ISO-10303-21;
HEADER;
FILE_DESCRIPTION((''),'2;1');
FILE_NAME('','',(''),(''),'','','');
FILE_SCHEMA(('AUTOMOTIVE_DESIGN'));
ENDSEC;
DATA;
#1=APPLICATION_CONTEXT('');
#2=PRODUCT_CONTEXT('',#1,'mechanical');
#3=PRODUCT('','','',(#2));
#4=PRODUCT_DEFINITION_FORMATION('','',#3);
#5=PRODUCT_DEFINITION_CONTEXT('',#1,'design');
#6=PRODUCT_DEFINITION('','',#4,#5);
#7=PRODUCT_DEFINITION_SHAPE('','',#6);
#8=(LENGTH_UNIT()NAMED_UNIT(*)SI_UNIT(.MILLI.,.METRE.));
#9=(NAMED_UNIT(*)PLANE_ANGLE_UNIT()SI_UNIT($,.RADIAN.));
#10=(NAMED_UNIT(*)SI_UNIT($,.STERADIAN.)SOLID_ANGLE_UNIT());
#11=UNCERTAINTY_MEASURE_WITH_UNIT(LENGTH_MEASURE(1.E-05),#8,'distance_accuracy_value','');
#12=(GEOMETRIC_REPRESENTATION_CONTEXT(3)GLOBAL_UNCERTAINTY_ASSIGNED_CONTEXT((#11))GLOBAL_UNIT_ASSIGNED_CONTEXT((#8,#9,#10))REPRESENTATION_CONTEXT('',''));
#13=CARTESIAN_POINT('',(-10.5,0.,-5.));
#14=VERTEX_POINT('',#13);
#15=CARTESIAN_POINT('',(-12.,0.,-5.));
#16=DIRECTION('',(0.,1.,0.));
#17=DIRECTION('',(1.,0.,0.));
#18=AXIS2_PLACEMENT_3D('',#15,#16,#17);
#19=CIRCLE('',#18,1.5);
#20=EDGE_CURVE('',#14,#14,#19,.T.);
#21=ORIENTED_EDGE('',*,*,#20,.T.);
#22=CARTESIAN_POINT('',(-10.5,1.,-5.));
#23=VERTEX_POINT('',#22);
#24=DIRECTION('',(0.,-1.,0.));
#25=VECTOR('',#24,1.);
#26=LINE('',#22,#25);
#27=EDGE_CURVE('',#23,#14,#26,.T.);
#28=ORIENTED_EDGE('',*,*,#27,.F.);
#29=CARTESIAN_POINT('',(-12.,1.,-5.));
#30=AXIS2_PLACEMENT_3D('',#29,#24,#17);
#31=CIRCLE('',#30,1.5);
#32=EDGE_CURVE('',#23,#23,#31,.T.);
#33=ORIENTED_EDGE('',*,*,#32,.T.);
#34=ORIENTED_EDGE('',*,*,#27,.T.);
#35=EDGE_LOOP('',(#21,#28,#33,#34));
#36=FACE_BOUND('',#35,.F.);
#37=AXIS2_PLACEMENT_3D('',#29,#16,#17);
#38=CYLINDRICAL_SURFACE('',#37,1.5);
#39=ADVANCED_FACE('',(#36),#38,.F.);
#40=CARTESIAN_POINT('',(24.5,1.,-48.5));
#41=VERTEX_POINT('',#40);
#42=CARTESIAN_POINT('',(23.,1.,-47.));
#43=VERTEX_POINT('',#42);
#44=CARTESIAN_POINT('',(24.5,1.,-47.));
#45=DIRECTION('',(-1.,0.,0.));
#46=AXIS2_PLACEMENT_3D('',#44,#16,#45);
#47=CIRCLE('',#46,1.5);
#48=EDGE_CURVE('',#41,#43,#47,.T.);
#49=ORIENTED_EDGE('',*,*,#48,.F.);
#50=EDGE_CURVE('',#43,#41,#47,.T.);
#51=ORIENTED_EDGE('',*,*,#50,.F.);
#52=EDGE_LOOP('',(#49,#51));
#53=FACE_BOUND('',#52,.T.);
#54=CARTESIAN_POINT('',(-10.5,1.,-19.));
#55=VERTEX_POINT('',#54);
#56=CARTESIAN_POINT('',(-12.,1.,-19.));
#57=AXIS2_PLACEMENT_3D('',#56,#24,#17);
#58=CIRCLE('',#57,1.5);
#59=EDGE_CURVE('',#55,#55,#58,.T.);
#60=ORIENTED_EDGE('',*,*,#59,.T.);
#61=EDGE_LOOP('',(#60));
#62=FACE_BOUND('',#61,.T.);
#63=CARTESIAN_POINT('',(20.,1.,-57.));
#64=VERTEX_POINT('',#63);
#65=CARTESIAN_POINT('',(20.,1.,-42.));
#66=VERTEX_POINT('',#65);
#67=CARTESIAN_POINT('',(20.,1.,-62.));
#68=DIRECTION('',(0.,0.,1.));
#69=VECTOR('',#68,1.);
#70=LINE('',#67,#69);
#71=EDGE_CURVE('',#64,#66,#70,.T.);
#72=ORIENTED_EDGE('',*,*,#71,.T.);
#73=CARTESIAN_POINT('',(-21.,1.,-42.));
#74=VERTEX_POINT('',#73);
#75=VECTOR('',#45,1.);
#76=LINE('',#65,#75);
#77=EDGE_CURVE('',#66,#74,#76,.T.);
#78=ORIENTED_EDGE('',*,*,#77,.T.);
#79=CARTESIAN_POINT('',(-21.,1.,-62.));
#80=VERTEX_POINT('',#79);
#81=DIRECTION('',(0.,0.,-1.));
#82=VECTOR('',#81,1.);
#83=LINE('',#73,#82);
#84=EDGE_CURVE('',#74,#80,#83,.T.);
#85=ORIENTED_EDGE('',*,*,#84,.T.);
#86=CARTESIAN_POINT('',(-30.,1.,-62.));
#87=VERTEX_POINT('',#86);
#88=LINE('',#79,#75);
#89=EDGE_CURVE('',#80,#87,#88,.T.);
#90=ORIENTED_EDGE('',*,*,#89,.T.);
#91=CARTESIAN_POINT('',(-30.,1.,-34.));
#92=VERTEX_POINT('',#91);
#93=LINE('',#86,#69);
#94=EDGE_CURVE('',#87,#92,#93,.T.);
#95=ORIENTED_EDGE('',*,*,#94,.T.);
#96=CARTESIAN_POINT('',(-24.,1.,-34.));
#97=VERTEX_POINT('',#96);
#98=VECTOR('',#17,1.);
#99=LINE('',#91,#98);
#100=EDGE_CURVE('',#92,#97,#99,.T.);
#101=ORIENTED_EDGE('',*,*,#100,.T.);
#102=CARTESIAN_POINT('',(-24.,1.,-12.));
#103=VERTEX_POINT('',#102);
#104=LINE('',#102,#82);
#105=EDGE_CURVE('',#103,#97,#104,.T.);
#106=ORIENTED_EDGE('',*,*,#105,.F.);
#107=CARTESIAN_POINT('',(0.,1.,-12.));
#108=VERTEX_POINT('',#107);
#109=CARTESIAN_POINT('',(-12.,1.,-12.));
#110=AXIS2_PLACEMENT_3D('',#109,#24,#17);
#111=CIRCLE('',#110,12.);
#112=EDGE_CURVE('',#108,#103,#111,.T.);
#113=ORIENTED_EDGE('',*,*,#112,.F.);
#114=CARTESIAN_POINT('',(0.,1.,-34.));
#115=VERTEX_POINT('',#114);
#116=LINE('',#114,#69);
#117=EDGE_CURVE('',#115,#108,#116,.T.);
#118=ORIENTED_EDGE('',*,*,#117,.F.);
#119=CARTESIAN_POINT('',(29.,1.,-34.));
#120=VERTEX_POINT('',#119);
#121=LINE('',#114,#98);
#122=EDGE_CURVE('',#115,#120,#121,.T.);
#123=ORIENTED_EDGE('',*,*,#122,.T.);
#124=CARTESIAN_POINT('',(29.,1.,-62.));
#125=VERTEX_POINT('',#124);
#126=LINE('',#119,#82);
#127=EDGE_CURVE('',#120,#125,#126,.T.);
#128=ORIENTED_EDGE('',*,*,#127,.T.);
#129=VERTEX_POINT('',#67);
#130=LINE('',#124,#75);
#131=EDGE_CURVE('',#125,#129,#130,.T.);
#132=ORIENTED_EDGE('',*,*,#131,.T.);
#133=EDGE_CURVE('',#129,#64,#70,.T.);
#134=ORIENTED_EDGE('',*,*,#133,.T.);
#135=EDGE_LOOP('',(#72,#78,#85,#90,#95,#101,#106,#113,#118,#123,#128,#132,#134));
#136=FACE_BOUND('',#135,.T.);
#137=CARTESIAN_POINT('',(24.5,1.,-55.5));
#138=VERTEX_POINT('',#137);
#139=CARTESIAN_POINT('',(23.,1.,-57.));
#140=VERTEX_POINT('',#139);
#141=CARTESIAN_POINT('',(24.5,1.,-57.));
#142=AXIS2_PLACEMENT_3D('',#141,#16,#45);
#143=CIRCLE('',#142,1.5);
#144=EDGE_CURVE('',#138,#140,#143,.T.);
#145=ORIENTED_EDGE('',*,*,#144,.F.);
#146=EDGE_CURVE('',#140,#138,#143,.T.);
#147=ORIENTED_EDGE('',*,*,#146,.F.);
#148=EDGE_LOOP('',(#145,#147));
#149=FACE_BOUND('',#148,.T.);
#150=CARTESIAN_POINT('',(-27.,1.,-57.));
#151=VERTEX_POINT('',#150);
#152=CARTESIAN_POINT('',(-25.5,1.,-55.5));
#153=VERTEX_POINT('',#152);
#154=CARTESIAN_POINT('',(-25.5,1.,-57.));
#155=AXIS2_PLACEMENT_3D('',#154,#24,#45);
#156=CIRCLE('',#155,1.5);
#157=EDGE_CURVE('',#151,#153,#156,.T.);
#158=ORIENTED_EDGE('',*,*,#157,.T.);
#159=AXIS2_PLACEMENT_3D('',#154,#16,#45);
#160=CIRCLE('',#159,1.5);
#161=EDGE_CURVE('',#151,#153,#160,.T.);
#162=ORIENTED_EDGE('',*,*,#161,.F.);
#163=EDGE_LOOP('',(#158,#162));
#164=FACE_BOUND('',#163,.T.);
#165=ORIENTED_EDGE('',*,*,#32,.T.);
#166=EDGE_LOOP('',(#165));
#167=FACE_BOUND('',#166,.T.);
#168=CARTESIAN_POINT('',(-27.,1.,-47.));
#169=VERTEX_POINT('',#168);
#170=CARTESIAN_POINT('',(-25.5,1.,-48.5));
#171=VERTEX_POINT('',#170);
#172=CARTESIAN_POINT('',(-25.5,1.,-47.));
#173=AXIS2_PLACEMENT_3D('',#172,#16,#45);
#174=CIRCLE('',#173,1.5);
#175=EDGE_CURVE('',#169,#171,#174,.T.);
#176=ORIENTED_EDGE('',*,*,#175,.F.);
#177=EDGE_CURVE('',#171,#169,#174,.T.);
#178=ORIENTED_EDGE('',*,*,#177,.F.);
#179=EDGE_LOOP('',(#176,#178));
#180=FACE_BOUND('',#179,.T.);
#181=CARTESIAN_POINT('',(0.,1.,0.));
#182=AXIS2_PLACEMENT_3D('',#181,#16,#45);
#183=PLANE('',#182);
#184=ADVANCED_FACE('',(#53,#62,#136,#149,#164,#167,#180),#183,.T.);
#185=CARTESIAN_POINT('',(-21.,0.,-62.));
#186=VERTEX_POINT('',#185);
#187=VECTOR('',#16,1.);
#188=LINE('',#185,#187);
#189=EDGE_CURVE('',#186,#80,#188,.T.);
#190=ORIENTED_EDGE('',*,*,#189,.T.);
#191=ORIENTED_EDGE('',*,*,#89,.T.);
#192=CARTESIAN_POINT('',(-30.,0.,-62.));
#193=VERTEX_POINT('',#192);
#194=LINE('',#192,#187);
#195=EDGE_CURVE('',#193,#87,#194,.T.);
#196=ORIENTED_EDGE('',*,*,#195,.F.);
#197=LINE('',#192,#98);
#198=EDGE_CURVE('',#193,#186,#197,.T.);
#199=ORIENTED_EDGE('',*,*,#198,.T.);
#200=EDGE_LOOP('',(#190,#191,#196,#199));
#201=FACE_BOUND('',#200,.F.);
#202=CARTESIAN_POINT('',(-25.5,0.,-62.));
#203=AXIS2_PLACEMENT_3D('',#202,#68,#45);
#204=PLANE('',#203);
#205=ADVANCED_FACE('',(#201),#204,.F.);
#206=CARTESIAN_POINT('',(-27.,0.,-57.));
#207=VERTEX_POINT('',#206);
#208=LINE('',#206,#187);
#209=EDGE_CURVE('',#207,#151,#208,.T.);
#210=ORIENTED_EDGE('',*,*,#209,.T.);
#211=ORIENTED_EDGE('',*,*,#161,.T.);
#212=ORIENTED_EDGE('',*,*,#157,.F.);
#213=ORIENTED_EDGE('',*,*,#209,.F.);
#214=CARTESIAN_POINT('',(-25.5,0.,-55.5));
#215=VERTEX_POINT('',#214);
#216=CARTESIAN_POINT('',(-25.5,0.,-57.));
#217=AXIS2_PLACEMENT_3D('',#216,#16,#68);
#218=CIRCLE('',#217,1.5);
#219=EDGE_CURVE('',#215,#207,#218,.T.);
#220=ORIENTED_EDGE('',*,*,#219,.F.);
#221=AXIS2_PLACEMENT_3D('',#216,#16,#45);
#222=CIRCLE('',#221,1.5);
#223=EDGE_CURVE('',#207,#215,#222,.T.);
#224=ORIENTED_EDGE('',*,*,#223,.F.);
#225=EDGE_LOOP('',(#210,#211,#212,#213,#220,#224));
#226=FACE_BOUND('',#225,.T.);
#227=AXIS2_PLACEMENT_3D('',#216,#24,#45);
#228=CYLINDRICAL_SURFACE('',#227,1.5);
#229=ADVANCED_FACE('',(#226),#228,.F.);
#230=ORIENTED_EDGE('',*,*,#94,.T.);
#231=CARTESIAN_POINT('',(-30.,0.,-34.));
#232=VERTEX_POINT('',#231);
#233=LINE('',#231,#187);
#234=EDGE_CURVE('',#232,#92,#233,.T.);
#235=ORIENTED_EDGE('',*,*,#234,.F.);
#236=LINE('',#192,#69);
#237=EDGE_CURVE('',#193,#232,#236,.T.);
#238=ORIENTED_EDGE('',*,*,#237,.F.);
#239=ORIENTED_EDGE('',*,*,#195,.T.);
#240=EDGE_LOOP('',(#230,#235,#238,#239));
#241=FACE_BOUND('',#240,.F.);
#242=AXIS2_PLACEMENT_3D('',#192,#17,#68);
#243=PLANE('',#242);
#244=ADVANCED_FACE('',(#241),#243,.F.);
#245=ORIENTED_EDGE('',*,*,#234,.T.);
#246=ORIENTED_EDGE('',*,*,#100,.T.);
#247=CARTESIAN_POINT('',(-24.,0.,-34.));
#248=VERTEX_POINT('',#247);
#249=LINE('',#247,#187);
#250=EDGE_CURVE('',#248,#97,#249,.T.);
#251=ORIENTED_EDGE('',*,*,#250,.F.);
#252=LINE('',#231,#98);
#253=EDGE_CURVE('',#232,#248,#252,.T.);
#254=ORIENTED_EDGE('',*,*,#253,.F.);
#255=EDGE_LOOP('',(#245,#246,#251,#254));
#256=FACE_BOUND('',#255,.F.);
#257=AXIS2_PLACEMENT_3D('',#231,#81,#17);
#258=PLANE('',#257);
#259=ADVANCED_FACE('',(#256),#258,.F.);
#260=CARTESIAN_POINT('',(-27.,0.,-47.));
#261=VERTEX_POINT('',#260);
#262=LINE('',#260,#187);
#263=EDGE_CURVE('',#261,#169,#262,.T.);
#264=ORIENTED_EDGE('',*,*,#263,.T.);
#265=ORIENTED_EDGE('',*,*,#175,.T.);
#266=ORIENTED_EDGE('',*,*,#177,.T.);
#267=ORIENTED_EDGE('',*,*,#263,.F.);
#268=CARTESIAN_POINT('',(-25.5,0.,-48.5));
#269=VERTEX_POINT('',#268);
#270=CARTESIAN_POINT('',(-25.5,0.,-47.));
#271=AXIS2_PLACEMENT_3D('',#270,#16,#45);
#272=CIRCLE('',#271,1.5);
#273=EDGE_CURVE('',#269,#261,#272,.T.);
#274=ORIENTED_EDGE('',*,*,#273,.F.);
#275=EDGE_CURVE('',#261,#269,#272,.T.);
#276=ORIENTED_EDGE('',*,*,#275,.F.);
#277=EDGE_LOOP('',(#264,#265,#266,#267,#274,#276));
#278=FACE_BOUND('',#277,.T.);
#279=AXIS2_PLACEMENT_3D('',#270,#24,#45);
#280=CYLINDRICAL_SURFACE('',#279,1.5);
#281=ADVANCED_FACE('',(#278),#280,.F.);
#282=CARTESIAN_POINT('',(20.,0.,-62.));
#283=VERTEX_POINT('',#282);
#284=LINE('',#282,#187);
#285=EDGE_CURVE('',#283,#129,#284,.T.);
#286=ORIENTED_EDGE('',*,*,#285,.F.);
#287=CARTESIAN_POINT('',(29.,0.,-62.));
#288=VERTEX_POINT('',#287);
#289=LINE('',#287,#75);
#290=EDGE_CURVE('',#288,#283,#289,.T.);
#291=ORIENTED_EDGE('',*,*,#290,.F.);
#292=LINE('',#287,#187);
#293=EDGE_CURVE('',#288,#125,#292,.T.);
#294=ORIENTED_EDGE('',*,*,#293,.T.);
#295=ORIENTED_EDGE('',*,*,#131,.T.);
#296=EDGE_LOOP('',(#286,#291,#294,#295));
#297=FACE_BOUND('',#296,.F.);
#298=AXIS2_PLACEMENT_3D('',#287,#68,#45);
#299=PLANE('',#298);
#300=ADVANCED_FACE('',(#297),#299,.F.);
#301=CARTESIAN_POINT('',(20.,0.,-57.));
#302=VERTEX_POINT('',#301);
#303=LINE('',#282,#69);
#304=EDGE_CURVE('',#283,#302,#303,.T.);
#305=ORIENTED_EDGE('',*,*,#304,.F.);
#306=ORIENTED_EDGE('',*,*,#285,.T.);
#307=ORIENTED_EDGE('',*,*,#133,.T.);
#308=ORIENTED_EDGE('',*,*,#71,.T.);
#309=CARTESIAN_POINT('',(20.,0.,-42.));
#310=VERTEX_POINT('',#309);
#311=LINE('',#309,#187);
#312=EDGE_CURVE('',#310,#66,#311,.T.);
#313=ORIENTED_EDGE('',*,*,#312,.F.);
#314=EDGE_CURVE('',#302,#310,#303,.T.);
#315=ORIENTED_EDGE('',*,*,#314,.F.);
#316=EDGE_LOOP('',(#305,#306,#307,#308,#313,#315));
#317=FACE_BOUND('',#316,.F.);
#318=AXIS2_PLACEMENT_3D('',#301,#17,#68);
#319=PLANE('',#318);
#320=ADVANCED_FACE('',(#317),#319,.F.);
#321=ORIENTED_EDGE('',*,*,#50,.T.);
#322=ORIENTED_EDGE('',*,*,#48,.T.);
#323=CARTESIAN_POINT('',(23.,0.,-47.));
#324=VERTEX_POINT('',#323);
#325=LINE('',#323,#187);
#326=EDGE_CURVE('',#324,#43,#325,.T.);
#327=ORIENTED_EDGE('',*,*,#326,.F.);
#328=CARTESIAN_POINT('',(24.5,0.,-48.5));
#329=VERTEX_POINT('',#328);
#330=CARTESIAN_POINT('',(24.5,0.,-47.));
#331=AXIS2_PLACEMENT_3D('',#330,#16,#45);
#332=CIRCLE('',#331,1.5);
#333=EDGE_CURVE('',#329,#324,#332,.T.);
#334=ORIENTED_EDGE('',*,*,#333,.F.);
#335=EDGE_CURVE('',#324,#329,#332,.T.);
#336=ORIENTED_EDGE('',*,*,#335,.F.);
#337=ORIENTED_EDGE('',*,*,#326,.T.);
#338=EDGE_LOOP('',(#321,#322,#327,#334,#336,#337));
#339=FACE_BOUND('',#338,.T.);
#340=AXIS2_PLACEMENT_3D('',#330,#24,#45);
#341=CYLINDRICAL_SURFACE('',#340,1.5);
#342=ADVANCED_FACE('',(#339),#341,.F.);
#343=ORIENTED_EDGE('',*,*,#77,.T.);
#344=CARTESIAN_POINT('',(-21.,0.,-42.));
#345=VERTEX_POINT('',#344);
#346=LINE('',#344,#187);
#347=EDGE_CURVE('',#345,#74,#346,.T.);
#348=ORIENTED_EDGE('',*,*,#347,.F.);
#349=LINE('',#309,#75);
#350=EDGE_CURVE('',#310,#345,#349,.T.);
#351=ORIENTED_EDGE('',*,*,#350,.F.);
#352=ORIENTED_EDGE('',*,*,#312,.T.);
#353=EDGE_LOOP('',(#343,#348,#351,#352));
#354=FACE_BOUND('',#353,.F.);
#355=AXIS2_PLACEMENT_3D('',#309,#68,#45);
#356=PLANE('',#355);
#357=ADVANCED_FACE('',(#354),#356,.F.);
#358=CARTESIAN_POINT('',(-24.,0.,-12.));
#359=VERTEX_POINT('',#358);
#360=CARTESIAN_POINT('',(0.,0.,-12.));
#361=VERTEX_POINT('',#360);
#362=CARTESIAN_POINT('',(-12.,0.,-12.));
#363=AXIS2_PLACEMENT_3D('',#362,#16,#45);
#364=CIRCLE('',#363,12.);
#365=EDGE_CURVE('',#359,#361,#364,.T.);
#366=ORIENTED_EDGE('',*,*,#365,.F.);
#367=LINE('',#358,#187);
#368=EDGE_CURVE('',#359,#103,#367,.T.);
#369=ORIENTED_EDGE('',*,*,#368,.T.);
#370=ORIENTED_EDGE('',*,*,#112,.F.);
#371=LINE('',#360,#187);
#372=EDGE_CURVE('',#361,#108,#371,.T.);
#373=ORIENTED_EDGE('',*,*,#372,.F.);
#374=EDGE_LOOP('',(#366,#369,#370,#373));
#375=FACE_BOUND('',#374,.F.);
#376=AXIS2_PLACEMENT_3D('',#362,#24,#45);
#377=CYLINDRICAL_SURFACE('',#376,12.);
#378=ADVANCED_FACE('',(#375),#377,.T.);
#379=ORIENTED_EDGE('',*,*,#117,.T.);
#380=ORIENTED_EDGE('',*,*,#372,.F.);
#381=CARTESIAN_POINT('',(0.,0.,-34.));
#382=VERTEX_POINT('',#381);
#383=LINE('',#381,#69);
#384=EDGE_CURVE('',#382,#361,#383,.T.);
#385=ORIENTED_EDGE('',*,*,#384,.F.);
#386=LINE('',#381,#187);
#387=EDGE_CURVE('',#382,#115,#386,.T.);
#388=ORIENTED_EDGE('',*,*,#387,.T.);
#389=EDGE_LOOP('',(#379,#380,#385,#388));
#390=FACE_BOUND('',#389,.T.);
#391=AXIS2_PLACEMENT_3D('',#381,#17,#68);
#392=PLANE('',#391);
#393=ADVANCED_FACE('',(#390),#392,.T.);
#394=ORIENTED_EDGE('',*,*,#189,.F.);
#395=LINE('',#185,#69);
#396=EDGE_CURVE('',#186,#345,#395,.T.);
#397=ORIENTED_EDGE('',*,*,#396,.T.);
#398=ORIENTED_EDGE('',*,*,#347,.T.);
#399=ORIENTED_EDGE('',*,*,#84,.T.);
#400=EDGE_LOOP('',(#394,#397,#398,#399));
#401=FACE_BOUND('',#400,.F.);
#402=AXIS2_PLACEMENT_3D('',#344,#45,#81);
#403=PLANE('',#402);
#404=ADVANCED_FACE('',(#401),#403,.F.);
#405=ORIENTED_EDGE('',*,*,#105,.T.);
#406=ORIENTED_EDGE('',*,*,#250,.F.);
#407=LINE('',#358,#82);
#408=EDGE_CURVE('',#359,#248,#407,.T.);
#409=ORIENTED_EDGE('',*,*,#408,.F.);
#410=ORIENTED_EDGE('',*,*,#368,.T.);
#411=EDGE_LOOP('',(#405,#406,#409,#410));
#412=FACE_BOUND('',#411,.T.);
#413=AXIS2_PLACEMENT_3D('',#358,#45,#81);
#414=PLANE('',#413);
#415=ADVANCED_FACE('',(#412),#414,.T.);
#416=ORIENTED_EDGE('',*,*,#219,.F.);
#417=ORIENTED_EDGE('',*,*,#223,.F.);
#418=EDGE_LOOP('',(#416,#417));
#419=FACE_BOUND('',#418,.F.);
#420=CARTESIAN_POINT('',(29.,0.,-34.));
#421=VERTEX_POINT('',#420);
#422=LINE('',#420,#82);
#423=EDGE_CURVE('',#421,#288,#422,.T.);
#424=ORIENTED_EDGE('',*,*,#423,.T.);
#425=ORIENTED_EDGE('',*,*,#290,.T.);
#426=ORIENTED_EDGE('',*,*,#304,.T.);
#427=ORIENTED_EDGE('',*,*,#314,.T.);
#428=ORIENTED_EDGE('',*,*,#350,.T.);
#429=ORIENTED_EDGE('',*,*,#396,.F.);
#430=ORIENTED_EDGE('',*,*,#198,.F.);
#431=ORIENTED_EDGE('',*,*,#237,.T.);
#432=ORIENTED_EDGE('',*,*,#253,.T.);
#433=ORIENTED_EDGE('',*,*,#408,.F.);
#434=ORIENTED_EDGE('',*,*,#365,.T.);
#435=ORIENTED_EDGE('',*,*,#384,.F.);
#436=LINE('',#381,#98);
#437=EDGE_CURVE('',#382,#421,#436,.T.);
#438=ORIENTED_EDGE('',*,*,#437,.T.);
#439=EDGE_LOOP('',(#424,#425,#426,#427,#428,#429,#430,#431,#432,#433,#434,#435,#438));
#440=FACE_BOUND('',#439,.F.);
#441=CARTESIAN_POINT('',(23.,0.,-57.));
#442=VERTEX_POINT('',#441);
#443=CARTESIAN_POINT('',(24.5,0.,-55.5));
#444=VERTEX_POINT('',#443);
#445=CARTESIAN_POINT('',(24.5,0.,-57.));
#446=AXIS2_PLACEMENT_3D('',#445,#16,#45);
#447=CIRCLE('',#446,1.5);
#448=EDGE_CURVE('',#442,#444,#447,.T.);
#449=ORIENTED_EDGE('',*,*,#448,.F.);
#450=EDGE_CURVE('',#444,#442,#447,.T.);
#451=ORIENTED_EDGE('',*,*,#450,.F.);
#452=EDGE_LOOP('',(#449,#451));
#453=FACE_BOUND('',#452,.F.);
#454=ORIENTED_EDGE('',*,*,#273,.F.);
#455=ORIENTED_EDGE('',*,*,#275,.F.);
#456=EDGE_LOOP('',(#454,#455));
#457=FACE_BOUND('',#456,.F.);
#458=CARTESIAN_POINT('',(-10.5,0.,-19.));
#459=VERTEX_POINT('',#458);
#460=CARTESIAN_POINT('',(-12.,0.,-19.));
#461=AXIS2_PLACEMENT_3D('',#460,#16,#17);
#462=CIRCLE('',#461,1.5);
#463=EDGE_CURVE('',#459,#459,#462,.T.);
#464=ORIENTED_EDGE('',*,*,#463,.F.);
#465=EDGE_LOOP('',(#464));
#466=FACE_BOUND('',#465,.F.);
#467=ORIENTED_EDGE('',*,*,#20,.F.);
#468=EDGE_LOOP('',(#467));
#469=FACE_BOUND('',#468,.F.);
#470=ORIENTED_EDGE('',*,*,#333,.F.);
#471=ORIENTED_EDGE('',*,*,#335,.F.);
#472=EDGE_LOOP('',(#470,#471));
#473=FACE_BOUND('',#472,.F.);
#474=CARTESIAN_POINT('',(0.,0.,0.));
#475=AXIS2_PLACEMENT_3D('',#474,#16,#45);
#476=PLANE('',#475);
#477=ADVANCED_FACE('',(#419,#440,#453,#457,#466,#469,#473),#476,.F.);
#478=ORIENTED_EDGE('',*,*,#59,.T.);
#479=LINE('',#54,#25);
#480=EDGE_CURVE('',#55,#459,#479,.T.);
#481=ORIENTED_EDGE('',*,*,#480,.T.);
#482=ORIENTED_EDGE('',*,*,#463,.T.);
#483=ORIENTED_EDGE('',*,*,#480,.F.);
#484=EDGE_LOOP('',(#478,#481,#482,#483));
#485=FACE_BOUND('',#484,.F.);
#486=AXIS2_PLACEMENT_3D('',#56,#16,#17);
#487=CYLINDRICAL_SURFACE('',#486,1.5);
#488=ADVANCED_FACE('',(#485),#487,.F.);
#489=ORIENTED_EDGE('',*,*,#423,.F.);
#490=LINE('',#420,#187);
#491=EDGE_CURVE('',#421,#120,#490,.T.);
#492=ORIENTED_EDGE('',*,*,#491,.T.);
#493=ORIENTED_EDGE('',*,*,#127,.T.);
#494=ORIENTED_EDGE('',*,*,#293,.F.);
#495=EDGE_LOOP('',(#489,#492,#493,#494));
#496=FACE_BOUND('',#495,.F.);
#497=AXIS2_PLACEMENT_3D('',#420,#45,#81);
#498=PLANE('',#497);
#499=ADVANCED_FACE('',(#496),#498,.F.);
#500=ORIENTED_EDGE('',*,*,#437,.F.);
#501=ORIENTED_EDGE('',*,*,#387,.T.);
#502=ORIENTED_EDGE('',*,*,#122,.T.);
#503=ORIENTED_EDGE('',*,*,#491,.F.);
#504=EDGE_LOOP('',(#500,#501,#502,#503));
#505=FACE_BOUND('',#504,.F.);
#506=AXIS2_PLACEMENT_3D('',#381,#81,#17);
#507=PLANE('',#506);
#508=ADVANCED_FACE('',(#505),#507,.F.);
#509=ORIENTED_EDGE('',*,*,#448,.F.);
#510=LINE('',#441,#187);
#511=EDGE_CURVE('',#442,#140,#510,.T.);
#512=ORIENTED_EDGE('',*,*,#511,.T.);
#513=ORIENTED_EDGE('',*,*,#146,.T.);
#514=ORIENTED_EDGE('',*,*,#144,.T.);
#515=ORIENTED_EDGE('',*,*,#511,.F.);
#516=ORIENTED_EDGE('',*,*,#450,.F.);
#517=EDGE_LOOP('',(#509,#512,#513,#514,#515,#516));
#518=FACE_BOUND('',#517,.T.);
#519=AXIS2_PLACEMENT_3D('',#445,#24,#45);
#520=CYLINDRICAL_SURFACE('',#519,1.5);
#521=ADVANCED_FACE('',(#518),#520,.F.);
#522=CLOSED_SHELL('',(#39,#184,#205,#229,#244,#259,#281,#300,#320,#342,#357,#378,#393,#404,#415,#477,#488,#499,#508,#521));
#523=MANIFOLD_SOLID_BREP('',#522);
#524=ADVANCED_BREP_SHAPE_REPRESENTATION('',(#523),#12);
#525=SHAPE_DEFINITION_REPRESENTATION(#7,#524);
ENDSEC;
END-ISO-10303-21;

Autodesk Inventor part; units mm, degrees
ref_plane "YZ Plane" through (0, 0, 0) normal (1, 0, 0) x (0, 1, 0)
ref_plane "XZ Plane" through (0, 0, 0) normal (0, 1, 0) x (-1, 0, 0)
ref_plane "XY Plane" through (0, 0, 0) normal (0, 0, 1) x (1, 0, 0)
sketch "Sketch1" plane through (0, 0, 0) normal (0, 1, 0) x (-1, 0, 0)
  line L0 (12, 0) -> (12, 0)
  line L1 (24, -12) -> (24, -34)
  line L2 (0, -34) -> (0, -12)
  arc A0 (24, -12) -> (12, 0) centre (12, -12) ccw
  arc A1 (12, 0) -> (0, -12) centre (12, -12) ccw
  line L3 (0, -34) -> (-29, -34)
  line L4 (-29, -34) -> (-29, -62)
  line L5 (-29, -62) -> (-20, -62)
  line L6 (-20, -62) -> (-20, -42)
  line L7 (-20, -42) -> (21, -42)
  line L8 (21, -42) -> (21, -62)
  line L9 (21, -62) -> (30, -62)
  line L10 (30, -62) -> (30, -34)
  line L11 (30, -34) -> (24, -34)
  line L12 (25.5, -62) -> (25.5, -57)
  line L13 (25.5, -57) -> (25.5, -47)
  circle A2 centre (25.5, -57) radius 1.5
  circle A3 centre (25.5, -47) radius 1.5
  line L14 (25.5, -57) -> (-24.5, -57)
  line L15 (-24.5, -57) -> (-24.5, -47)
  circle A4 centre (-24.5, -47) radius 1.5
  circle A5 centre (-24.5, -57) radius 1.5
  point P0 (0, 0)
  point P1 (24, 0)
  dimension "d0" = 24
  dimension "d1" = 34
  dimension "d2" = 12
  dimension "d3" = 29
  dimension "d4" = 28
  dimension "d5" = 9
  dimension "d6" = 20
  dimension "d7" = 41
  dimension "d8" = 9
  dimension "d9" = 5
  dimension "d10" = 10
  dimension "d11" = 3
  dimension "d12" = 3
  dimension "d13" = 3
  dimension "d14" = 3
extrude "Extrusion1" add sketch "Sketch1" along normal blind 1 contours L1 L11 L10 L9 L12 A2 L14 L8 L7 L6 L5 L4 L3 L2 A1 A0 | L9 L8 L14 A2 L12
sketch "Sketch2" plane through (0, 1, 0) normal (0, 1, 0) x (1, 0, 0)
  arc A0 (-24, 12) -> (0, 12) centre (-12, 12) ccw projected
  circle A1 centre (-25.5, 57) radius 1.5 projected
  circle A2 centre (-25.5, 47) radius 1.5 projected
  line L0 (-25.5, 57) -> (-25.5, 47)
  line L1 (-12, 12) -> (-12, 19)
  line L2 (-12, 19) -> (-12, 5)
  circle A3 centre (-12, 5) radius 1.5
  circle A4 centre (-12, 19) radius 1.5
  point P0 (0, 0)
  dimension "d17" = 7
  dimension "d18" = 14
  dimension "d19" = 3
  dimension "d20" = 3
extrude "Extrusion2" cut sketch "Sketch2" against normal blind 1 contours A4 | A3
properties part number "Wrist Servo Plate"
